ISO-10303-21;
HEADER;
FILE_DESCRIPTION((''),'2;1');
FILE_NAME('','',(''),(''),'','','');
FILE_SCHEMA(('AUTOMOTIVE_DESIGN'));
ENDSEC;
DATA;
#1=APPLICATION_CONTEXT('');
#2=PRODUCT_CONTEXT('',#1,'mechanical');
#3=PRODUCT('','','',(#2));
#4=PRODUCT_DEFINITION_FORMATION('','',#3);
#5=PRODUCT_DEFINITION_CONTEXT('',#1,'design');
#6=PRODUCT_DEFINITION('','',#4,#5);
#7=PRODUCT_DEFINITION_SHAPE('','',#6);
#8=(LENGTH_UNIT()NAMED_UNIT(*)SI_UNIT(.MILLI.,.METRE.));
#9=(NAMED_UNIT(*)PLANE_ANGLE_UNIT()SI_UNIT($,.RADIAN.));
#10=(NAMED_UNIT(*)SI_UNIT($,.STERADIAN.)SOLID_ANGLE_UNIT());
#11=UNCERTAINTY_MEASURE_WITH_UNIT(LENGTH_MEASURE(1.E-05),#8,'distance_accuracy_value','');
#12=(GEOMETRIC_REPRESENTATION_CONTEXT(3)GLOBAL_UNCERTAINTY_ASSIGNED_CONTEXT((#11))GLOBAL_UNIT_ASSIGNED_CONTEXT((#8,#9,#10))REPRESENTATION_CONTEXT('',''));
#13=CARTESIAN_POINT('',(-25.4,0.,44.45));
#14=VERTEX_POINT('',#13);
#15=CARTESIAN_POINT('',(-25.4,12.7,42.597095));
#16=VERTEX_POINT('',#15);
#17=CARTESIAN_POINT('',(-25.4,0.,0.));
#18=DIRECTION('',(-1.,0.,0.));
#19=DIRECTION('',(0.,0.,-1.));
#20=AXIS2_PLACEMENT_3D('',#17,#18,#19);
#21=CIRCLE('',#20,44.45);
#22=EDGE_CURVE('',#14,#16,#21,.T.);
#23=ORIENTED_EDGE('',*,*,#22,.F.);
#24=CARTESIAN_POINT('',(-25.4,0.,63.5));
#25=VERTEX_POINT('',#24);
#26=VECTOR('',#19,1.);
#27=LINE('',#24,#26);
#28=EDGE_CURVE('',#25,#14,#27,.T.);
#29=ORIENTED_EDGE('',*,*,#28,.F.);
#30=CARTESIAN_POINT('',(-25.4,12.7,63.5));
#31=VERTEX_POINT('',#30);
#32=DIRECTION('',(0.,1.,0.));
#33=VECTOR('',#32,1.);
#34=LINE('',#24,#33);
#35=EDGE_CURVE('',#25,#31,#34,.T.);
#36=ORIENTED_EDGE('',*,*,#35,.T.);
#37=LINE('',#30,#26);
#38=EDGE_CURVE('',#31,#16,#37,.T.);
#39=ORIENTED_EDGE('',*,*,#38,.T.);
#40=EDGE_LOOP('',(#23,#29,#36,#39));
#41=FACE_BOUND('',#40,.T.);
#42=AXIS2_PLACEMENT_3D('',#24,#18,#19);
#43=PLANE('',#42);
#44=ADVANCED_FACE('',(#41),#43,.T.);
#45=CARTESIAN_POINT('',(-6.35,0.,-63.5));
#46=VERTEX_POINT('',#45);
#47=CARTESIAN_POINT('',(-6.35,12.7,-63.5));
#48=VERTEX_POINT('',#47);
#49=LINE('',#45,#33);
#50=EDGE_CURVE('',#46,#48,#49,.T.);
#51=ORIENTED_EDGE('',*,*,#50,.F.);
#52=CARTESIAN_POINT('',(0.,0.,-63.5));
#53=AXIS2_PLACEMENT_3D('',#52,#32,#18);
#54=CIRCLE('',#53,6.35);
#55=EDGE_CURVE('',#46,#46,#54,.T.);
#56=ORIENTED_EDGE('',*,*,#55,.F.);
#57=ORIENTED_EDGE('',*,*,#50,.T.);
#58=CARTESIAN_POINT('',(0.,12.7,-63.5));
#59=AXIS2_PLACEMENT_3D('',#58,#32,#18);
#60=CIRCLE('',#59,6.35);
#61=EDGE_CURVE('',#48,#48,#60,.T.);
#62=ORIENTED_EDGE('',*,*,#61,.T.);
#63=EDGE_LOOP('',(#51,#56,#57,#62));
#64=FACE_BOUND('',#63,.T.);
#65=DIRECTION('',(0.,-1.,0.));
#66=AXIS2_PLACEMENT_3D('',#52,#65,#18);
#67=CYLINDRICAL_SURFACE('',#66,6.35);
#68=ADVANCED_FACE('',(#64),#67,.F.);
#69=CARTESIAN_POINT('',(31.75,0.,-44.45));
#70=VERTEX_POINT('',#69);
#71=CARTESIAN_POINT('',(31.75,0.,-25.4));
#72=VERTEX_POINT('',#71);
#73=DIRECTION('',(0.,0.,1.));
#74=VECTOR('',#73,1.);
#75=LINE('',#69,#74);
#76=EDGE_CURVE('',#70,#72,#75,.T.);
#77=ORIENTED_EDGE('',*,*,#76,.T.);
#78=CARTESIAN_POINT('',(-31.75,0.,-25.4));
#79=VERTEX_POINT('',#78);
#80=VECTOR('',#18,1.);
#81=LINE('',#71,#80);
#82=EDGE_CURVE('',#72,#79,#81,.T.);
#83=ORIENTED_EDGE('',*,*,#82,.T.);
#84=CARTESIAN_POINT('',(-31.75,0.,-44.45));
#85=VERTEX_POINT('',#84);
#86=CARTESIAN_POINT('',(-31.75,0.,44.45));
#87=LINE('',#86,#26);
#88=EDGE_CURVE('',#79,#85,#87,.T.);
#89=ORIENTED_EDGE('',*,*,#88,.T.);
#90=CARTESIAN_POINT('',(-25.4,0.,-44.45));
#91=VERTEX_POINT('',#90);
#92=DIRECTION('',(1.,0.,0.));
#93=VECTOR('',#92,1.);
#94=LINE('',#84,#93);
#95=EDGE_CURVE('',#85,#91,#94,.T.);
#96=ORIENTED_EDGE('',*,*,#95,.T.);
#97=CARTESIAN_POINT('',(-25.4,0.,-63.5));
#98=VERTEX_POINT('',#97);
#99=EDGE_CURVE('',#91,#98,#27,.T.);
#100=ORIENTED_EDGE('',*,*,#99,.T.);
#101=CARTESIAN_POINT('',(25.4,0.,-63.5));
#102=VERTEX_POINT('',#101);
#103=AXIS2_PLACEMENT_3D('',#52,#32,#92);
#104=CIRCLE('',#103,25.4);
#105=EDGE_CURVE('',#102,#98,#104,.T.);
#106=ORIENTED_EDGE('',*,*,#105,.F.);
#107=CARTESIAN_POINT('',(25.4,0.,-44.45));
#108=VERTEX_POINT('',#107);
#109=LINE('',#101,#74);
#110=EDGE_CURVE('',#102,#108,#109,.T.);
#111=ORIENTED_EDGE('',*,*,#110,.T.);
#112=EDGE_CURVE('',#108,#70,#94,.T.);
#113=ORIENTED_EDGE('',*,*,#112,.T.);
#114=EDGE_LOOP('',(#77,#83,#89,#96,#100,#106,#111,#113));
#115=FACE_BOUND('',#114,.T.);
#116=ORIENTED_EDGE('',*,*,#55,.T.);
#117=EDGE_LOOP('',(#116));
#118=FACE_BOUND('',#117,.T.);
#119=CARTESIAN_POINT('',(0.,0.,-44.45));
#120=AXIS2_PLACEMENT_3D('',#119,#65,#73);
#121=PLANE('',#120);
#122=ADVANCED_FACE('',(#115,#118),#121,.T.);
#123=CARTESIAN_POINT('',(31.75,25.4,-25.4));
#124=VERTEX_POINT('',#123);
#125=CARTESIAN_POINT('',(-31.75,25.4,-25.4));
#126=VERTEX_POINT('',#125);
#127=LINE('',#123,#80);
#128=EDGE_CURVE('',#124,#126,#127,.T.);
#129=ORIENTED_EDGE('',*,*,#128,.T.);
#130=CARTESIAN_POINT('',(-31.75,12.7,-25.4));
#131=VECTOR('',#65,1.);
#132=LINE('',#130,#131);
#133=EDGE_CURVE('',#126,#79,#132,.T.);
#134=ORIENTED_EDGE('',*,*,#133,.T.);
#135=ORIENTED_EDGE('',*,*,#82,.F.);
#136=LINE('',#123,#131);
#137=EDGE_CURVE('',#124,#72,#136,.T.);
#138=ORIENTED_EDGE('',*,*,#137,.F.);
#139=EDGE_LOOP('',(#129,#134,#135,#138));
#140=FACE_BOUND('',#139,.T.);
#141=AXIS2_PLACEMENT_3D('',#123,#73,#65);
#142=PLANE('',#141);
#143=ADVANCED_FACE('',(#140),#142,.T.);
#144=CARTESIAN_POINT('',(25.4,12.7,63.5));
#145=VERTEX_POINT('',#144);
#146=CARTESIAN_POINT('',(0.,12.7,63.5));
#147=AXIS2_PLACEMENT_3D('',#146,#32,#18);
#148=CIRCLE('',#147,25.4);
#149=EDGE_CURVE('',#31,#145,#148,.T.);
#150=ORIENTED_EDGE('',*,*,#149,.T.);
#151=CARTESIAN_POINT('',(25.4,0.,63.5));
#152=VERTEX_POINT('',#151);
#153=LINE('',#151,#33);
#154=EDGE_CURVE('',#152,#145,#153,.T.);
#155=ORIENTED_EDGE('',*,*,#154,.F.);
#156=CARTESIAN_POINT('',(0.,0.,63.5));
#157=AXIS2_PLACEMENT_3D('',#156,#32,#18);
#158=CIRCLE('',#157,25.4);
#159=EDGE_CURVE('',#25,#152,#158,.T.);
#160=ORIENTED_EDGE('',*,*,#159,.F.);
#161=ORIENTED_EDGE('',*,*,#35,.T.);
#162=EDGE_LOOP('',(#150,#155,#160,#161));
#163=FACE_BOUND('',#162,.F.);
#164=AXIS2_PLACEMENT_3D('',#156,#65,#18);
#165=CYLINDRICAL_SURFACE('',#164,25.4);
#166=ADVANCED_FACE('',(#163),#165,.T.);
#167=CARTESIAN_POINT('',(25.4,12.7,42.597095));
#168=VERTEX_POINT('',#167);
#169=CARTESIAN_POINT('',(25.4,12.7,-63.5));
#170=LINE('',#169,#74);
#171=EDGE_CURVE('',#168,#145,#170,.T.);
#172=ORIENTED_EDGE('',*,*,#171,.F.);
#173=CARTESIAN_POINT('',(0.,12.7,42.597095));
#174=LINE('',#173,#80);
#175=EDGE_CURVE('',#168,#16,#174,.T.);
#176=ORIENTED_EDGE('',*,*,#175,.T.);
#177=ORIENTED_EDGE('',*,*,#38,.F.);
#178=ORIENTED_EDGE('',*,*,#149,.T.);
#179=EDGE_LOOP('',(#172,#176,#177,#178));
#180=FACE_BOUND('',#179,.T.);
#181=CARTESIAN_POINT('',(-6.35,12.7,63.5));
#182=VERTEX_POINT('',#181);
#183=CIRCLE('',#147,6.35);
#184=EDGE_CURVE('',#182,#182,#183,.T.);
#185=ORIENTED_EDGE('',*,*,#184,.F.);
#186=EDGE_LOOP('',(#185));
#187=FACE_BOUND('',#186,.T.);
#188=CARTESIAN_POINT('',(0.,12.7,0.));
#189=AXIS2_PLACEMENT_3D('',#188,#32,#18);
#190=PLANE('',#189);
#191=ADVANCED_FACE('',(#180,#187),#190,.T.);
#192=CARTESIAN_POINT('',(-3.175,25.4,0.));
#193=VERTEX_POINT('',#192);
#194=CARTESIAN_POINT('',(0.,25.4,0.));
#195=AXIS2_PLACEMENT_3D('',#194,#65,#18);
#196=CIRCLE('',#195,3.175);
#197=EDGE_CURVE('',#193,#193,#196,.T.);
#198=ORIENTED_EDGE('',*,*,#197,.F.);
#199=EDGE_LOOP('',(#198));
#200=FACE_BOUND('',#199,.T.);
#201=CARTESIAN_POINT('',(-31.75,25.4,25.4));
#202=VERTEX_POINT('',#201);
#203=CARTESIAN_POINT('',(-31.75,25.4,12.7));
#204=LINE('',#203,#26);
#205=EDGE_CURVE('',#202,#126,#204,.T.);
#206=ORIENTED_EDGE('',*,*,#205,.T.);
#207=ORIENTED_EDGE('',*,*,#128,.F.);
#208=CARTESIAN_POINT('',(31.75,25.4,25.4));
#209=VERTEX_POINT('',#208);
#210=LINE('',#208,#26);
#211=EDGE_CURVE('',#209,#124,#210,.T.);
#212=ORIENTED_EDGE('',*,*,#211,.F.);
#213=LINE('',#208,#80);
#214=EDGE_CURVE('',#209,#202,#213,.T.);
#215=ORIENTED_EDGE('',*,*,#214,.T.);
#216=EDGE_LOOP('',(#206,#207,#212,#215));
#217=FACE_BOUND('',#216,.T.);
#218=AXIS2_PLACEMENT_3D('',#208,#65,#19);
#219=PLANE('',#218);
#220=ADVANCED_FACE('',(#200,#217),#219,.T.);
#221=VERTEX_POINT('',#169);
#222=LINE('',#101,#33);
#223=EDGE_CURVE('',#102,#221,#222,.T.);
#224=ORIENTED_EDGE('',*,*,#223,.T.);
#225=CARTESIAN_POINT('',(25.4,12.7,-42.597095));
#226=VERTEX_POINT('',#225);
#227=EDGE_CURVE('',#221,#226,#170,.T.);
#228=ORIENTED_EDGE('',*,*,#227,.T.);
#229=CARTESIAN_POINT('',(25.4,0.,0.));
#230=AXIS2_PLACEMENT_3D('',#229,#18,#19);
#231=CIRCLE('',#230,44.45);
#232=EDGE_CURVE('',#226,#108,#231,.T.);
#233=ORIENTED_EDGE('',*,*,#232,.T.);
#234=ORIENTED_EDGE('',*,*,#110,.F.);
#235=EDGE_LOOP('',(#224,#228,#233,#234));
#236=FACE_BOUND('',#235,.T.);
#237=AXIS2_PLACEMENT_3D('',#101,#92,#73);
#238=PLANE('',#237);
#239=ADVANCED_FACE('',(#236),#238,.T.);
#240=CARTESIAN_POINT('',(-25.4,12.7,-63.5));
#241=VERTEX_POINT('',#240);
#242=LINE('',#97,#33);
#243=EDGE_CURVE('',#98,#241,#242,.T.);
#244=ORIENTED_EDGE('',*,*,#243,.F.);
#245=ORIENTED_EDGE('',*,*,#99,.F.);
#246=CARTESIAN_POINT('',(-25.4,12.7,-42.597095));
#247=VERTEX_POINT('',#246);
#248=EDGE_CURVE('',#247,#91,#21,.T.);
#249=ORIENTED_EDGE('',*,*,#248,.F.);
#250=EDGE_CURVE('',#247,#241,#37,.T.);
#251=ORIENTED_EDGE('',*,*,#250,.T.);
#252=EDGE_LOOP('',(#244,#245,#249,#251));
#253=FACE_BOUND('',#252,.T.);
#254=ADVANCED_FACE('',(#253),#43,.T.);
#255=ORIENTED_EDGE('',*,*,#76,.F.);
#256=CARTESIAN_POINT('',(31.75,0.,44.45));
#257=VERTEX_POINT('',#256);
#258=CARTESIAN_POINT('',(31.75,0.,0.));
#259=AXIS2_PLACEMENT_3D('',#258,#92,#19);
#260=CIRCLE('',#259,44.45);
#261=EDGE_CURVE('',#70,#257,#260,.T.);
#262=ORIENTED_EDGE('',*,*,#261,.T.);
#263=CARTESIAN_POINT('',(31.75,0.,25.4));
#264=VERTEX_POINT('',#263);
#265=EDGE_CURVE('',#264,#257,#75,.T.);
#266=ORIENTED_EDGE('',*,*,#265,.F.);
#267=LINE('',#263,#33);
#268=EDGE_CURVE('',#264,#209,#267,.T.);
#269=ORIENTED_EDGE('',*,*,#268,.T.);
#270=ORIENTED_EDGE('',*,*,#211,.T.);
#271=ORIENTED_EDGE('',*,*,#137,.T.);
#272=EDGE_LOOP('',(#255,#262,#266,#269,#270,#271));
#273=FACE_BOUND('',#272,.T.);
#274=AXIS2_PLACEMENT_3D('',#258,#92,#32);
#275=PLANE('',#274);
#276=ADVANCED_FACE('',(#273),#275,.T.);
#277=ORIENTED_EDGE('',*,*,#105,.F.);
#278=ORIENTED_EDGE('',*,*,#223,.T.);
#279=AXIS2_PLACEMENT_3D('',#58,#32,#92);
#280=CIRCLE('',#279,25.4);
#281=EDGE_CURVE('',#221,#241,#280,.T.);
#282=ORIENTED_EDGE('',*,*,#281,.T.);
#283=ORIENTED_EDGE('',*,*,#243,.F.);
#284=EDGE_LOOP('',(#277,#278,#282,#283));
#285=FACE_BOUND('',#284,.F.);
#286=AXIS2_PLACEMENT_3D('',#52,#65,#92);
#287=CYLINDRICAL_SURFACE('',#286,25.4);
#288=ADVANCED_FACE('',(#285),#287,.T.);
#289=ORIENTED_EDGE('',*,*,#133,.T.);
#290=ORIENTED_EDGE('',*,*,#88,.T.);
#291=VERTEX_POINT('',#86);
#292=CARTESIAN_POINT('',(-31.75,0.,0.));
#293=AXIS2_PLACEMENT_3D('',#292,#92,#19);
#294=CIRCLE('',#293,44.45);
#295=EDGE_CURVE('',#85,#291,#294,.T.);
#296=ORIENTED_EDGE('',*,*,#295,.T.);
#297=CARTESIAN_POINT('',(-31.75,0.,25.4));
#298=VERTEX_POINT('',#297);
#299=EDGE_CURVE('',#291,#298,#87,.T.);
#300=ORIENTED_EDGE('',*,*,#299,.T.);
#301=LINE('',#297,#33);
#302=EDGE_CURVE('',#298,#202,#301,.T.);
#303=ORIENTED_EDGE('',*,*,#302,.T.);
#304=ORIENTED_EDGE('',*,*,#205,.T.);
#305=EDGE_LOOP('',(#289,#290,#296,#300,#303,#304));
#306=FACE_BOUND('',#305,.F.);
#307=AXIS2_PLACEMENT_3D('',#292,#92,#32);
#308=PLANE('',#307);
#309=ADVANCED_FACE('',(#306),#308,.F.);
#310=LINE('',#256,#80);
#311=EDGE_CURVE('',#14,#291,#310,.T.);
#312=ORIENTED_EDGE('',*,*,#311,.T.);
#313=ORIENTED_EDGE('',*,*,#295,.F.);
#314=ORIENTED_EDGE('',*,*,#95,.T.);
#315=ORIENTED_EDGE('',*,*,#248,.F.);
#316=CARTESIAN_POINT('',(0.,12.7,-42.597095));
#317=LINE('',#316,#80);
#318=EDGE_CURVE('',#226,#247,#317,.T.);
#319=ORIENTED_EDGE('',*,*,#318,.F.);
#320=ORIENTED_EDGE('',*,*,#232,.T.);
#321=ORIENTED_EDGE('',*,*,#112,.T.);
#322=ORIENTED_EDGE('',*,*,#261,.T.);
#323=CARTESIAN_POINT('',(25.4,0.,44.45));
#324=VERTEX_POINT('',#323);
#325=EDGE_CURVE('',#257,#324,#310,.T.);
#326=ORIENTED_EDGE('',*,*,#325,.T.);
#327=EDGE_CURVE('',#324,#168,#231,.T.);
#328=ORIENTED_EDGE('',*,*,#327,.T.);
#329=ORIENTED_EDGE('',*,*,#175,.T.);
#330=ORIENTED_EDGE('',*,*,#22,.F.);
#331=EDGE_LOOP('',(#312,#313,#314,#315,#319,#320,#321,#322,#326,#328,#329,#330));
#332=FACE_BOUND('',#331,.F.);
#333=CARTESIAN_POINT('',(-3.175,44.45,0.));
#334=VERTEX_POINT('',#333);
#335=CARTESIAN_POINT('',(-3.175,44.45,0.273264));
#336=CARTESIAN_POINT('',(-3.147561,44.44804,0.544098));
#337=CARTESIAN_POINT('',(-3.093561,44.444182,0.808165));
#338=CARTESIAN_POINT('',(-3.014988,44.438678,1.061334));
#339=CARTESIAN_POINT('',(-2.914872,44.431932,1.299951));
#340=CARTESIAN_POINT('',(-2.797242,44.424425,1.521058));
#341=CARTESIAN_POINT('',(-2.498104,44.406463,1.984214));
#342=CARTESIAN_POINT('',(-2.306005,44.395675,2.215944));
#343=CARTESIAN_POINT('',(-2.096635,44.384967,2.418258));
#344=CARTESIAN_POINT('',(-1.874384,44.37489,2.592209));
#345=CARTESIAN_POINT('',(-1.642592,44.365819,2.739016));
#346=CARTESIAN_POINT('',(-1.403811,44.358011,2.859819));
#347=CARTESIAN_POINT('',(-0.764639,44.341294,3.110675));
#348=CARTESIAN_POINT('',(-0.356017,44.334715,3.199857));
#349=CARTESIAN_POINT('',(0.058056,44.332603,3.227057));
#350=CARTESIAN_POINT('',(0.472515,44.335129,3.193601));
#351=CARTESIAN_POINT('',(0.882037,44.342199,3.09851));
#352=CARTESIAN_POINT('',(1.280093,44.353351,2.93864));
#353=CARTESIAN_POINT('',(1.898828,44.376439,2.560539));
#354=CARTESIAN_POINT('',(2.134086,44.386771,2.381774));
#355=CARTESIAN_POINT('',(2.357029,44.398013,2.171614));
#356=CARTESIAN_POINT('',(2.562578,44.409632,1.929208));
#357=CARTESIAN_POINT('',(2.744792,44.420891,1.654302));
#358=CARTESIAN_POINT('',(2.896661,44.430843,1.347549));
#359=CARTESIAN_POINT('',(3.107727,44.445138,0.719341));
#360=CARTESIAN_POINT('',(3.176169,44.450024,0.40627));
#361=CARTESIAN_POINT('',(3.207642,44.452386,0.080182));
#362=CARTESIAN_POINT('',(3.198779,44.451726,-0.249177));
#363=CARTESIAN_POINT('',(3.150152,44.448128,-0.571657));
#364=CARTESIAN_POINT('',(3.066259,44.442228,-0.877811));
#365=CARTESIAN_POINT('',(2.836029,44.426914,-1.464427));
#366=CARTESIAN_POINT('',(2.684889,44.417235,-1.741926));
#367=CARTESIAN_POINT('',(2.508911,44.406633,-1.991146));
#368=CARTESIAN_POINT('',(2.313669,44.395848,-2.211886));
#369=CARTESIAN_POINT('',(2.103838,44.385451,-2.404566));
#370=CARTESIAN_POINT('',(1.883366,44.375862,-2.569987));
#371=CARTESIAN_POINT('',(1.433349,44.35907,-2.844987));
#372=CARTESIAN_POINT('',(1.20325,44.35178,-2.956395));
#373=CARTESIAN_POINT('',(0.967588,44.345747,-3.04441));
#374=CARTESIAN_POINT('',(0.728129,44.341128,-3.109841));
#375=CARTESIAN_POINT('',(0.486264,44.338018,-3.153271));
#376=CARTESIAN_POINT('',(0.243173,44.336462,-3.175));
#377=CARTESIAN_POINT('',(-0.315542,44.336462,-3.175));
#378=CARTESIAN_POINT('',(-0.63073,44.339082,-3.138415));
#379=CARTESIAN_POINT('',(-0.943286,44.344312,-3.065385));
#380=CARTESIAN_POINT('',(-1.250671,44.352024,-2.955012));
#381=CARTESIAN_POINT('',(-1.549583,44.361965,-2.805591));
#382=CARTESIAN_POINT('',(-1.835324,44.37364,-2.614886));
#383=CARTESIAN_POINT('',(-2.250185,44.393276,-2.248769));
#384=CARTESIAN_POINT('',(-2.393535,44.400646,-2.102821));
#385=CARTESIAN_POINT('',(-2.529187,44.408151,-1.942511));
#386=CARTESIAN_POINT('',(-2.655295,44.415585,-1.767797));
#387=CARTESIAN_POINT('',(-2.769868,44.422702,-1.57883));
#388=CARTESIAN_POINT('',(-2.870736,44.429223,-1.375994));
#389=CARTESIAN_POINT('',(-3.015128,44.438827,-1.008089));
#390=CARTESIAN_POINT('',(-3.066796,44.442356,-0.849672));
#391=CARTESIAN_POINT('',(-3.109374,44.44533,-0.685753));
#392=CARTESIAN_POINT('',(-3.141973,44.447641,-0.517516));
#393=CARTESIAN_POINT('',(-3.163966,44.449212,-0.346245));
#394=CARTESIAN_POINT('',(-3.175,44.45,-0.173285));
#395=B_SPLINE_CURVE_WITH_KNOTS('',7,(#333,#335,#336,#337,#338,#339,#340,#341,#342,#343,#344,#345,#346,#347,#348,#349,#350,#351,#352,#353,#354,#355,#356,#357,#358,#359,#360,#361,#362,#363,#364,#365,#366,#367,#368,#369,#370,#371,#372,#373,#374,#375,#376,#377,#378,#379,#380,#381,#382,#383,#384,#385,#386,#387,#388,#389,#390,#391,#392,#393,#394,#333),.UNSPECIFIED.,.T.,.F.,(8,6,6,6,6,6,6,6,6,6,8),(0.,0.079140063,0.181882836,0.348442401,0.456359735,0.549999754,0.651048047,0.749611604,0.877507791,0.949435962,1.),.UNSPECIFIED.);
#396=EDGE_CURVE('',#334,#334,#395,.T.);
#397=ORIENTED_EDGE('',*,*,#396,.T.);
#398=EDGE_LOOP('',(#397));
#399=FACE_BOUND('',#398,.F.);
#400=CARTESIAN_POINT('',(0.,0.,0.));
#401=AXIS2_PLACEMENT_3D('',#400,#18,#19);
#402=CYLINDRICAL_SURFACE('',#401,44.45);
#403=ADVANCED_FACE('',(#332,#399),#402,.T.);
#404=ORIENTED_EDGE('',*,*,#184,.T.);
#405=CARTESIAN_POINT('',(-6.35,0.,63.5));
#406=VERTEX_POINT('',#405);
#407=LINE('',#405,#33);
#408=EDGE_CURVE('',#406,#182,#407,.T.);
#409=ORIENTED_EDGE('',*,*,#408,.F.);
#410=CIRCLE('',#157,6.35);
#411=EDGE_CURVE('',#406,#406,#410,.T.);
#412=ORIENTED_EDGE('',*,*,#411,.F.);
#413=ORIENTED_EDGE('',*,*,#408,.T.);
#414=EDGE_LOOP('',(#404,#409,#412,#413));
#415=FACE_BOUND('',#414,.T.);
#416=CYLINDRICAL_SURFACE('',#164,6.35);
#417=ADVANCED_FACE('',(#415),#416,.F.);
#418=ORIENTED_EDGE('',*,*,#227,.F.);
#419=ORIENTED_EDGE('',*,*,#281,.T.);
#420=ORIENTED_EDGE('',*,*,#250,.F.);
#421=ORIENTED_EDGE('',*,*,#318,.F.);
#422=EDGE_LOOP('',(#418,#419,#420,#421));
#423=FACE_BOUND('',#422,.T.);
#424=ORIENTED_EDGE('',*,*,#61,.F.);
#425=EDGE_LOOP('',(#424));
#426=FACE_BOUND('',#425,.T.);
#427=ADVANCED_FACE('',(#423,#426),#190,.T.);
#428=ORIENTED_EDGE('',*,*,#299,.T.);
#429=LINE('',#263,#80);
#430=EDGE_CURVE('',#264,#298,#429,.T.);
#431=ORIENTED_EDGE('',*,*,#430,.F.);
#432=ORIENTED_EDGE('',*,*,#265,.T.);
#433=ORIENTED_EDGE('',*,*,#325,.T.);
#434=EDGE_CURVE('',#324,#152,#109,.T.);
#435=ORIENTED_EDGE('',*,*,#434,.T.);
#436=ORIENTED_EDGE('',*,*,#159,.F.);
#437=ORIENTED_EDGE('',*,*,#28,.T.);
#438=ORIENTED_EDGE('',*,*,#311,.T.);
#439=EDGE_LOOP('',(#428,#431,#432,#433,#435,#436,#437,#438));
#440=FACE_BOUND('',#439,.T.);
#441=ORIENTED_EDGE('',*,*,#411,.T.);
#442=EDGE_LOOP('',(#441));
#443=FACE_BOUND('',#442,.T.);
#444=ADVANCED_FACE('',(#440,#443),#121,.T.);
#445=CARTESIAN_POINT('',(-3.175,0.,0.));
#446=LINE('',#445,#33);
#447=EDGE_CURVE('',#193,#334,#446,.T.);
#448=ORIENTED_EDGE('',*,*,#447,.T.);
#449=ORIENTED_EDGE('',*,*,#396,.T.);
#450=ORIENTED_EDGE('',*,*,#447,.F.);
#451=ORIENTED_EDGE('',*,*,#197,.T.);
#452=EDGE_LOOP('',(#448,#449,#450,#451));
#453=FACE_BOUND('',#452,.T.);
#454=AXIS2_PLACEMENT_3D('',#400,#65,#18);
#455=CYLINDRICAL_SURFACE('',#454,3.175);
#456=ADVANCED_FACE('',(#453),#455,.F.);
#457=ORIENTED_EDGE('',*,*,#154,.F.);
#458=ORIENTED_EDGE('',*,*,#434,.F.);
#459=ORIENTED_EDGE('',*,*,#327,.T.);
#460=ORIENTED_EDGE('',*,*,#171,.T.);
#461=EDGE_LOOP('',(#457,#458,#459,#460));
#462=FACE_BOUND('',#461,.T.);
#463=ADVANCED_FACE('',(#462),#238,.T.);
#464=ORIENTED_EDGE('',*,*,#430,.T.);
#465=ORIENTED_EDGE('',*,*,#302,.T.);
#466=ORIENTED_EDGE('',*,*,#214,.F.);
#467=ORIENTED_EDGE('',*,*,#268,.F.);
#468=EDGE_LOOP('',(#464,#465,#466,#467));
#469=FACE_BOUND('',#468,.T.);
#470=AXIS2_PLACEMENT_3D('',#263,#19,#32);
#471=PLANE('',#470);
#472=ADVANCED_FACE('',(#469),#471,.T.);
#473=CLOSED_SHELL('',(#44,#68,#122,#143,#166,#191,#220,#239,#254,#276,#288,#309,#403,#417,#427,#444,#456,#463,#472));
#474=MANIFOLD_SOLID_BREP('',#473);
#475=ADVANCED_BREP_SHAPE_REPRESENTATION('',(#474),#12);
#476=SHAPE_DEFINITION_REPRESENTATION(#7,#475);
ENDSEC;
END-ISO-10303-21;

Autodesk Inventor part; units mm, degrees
ref_plane "YZ Plane" through (0, 0, 0) normal (1, 0, 0) x (0, 1, 0)
ref_plane "XZ Plane" through (0, 0, 0) normal (0, 1, 0) x (-1, 0, 0)
ref_plane "XY Plane" through (0, 0, 0) normal (0, 0, 1) x (1, 0, 0)
sketch "Sketch1" plane through (0, 0, 0) normal (0, 1, 0) x (-1, 0, 0)
  line L0 (0, 88.9) -> (0, -88.9) construction
  line L1 (25.4, 63.5) -> (25.4, -63.5)
  line L2 (-25.4, -63.5) -> (-25.4, 63.5)
  arc A0 (25.4, 63.5) -> (-25.4, 63.5) centre (0, 63.5) ccw
  arc A1 (-25.4, -63.5) -> (25.4, -63.5) centre (0, -63.5) ccw
  circle A2 centre (0, 63.5) radius 6.35
  circle A3 centre (0, -63.5) radius 6.35
  point P0 (0, 0)
  point P1 (0, 0)
  dimension "d0" = 127
  dimension "d1" = 12.7
  dimension "d2" = 12.7
  dimension "d3" = 25.4
extrude "BASE" add sketch "Sketch1" along normal blind 12.7
sketch "Sketch2" plane through (0, 0, 0) normal (1, 0, 0) x (0, 1, 0)
  arc A0 (0, -44.45) -> (0, 44.45) centre (0, 0) ccw
  arc A1 (0, -31.75) -> (0, 31.75) centre (0, 0) ccw
  line L0 (0, -63.5) -> (0, 63.5) projected
  line L1 (0, 31.75) -> (15.875, 31.75)
  line L2 (15.875, 31.75) -> (15.875, -31.75)
  line L3 (15.875, -31.75) -> (0, -31.75)
  line L4 (0, -31.75) -> (0, 31.75)
  line L5 (0, 63.5) -> (0, -63.5) projected
  point P0 (7.9375, -31.75)
  point P1 (0, 0)
  point P2 (15.875, -27.4963)
  point P3 (15.875, 27.4963)
  point P4 (0, -31.75)
  dimension "d7" = 44.45
  dimension "d8" = 31.75
  dimension "d16" = 63.5
  dimension "d17" = 31.75
  dimension "d18" = 15.875
extrude "REMOVED CENTER OF BASE" cut sketch "Sketch2" along normal through all both and the other way through all
extrude "ARCH" add sketch "Sketch2" along normal mid plane 63.5
sketch "Sketch3" plane through (0, 0, 0) normal (0, 1, 0) x (-1, 0, 0)
  circle A0 centre (0, 0) radius 3.175
  dimension "d13" = 6.35
extrude "TOPHOLE" cut sketch "Sketch3" along normal through all
sketch "Sketch5" plane through (31.75, 0, 0) normal (1, 0, 0) x (0, 0, -1)
  line L0 (-44.45, 0) -> (44.45, 0) projected
  circle A0 centre (0, 0) radius 31.75
  point P0 (-31.75, 0)
  dimension "d26" = 31.75
extrude "CIRCULAR" [suppressed]
sketch "Sketch6" plane through (31.75, 0, 0) normal (1, 0, 0) x (0, 0, -1)
  line L0 (-25.4, 25.4) -> (25.4, 25.4)
  line L1 (25.4, 25.4) -> (25.4, 0)
  line L2 (25.4, 0) -> (-25.4, 0)
  line L3 (-25.4, 0) -> (-25.4, 25.4)
  point P0 (0, 0)
  point P1 (0, 0)
  point P2 (0, 0)
  dimension "d23" = 50.8
  dimension "d24" = 25.4
  dimension "d25" = 25.4
extrude "SQUARE" cut sketch "Sketch6" against normal through all
equation "\"d2\" = d1"
equation "\"d17\" = 0.5 * d16"
equation "\"d11\" = d16"
equation "\"d24\" = 0.5 * d23"
properties part number "ANS7S-TUT-BK" material "Brass, Soft Yellow, Welded"
